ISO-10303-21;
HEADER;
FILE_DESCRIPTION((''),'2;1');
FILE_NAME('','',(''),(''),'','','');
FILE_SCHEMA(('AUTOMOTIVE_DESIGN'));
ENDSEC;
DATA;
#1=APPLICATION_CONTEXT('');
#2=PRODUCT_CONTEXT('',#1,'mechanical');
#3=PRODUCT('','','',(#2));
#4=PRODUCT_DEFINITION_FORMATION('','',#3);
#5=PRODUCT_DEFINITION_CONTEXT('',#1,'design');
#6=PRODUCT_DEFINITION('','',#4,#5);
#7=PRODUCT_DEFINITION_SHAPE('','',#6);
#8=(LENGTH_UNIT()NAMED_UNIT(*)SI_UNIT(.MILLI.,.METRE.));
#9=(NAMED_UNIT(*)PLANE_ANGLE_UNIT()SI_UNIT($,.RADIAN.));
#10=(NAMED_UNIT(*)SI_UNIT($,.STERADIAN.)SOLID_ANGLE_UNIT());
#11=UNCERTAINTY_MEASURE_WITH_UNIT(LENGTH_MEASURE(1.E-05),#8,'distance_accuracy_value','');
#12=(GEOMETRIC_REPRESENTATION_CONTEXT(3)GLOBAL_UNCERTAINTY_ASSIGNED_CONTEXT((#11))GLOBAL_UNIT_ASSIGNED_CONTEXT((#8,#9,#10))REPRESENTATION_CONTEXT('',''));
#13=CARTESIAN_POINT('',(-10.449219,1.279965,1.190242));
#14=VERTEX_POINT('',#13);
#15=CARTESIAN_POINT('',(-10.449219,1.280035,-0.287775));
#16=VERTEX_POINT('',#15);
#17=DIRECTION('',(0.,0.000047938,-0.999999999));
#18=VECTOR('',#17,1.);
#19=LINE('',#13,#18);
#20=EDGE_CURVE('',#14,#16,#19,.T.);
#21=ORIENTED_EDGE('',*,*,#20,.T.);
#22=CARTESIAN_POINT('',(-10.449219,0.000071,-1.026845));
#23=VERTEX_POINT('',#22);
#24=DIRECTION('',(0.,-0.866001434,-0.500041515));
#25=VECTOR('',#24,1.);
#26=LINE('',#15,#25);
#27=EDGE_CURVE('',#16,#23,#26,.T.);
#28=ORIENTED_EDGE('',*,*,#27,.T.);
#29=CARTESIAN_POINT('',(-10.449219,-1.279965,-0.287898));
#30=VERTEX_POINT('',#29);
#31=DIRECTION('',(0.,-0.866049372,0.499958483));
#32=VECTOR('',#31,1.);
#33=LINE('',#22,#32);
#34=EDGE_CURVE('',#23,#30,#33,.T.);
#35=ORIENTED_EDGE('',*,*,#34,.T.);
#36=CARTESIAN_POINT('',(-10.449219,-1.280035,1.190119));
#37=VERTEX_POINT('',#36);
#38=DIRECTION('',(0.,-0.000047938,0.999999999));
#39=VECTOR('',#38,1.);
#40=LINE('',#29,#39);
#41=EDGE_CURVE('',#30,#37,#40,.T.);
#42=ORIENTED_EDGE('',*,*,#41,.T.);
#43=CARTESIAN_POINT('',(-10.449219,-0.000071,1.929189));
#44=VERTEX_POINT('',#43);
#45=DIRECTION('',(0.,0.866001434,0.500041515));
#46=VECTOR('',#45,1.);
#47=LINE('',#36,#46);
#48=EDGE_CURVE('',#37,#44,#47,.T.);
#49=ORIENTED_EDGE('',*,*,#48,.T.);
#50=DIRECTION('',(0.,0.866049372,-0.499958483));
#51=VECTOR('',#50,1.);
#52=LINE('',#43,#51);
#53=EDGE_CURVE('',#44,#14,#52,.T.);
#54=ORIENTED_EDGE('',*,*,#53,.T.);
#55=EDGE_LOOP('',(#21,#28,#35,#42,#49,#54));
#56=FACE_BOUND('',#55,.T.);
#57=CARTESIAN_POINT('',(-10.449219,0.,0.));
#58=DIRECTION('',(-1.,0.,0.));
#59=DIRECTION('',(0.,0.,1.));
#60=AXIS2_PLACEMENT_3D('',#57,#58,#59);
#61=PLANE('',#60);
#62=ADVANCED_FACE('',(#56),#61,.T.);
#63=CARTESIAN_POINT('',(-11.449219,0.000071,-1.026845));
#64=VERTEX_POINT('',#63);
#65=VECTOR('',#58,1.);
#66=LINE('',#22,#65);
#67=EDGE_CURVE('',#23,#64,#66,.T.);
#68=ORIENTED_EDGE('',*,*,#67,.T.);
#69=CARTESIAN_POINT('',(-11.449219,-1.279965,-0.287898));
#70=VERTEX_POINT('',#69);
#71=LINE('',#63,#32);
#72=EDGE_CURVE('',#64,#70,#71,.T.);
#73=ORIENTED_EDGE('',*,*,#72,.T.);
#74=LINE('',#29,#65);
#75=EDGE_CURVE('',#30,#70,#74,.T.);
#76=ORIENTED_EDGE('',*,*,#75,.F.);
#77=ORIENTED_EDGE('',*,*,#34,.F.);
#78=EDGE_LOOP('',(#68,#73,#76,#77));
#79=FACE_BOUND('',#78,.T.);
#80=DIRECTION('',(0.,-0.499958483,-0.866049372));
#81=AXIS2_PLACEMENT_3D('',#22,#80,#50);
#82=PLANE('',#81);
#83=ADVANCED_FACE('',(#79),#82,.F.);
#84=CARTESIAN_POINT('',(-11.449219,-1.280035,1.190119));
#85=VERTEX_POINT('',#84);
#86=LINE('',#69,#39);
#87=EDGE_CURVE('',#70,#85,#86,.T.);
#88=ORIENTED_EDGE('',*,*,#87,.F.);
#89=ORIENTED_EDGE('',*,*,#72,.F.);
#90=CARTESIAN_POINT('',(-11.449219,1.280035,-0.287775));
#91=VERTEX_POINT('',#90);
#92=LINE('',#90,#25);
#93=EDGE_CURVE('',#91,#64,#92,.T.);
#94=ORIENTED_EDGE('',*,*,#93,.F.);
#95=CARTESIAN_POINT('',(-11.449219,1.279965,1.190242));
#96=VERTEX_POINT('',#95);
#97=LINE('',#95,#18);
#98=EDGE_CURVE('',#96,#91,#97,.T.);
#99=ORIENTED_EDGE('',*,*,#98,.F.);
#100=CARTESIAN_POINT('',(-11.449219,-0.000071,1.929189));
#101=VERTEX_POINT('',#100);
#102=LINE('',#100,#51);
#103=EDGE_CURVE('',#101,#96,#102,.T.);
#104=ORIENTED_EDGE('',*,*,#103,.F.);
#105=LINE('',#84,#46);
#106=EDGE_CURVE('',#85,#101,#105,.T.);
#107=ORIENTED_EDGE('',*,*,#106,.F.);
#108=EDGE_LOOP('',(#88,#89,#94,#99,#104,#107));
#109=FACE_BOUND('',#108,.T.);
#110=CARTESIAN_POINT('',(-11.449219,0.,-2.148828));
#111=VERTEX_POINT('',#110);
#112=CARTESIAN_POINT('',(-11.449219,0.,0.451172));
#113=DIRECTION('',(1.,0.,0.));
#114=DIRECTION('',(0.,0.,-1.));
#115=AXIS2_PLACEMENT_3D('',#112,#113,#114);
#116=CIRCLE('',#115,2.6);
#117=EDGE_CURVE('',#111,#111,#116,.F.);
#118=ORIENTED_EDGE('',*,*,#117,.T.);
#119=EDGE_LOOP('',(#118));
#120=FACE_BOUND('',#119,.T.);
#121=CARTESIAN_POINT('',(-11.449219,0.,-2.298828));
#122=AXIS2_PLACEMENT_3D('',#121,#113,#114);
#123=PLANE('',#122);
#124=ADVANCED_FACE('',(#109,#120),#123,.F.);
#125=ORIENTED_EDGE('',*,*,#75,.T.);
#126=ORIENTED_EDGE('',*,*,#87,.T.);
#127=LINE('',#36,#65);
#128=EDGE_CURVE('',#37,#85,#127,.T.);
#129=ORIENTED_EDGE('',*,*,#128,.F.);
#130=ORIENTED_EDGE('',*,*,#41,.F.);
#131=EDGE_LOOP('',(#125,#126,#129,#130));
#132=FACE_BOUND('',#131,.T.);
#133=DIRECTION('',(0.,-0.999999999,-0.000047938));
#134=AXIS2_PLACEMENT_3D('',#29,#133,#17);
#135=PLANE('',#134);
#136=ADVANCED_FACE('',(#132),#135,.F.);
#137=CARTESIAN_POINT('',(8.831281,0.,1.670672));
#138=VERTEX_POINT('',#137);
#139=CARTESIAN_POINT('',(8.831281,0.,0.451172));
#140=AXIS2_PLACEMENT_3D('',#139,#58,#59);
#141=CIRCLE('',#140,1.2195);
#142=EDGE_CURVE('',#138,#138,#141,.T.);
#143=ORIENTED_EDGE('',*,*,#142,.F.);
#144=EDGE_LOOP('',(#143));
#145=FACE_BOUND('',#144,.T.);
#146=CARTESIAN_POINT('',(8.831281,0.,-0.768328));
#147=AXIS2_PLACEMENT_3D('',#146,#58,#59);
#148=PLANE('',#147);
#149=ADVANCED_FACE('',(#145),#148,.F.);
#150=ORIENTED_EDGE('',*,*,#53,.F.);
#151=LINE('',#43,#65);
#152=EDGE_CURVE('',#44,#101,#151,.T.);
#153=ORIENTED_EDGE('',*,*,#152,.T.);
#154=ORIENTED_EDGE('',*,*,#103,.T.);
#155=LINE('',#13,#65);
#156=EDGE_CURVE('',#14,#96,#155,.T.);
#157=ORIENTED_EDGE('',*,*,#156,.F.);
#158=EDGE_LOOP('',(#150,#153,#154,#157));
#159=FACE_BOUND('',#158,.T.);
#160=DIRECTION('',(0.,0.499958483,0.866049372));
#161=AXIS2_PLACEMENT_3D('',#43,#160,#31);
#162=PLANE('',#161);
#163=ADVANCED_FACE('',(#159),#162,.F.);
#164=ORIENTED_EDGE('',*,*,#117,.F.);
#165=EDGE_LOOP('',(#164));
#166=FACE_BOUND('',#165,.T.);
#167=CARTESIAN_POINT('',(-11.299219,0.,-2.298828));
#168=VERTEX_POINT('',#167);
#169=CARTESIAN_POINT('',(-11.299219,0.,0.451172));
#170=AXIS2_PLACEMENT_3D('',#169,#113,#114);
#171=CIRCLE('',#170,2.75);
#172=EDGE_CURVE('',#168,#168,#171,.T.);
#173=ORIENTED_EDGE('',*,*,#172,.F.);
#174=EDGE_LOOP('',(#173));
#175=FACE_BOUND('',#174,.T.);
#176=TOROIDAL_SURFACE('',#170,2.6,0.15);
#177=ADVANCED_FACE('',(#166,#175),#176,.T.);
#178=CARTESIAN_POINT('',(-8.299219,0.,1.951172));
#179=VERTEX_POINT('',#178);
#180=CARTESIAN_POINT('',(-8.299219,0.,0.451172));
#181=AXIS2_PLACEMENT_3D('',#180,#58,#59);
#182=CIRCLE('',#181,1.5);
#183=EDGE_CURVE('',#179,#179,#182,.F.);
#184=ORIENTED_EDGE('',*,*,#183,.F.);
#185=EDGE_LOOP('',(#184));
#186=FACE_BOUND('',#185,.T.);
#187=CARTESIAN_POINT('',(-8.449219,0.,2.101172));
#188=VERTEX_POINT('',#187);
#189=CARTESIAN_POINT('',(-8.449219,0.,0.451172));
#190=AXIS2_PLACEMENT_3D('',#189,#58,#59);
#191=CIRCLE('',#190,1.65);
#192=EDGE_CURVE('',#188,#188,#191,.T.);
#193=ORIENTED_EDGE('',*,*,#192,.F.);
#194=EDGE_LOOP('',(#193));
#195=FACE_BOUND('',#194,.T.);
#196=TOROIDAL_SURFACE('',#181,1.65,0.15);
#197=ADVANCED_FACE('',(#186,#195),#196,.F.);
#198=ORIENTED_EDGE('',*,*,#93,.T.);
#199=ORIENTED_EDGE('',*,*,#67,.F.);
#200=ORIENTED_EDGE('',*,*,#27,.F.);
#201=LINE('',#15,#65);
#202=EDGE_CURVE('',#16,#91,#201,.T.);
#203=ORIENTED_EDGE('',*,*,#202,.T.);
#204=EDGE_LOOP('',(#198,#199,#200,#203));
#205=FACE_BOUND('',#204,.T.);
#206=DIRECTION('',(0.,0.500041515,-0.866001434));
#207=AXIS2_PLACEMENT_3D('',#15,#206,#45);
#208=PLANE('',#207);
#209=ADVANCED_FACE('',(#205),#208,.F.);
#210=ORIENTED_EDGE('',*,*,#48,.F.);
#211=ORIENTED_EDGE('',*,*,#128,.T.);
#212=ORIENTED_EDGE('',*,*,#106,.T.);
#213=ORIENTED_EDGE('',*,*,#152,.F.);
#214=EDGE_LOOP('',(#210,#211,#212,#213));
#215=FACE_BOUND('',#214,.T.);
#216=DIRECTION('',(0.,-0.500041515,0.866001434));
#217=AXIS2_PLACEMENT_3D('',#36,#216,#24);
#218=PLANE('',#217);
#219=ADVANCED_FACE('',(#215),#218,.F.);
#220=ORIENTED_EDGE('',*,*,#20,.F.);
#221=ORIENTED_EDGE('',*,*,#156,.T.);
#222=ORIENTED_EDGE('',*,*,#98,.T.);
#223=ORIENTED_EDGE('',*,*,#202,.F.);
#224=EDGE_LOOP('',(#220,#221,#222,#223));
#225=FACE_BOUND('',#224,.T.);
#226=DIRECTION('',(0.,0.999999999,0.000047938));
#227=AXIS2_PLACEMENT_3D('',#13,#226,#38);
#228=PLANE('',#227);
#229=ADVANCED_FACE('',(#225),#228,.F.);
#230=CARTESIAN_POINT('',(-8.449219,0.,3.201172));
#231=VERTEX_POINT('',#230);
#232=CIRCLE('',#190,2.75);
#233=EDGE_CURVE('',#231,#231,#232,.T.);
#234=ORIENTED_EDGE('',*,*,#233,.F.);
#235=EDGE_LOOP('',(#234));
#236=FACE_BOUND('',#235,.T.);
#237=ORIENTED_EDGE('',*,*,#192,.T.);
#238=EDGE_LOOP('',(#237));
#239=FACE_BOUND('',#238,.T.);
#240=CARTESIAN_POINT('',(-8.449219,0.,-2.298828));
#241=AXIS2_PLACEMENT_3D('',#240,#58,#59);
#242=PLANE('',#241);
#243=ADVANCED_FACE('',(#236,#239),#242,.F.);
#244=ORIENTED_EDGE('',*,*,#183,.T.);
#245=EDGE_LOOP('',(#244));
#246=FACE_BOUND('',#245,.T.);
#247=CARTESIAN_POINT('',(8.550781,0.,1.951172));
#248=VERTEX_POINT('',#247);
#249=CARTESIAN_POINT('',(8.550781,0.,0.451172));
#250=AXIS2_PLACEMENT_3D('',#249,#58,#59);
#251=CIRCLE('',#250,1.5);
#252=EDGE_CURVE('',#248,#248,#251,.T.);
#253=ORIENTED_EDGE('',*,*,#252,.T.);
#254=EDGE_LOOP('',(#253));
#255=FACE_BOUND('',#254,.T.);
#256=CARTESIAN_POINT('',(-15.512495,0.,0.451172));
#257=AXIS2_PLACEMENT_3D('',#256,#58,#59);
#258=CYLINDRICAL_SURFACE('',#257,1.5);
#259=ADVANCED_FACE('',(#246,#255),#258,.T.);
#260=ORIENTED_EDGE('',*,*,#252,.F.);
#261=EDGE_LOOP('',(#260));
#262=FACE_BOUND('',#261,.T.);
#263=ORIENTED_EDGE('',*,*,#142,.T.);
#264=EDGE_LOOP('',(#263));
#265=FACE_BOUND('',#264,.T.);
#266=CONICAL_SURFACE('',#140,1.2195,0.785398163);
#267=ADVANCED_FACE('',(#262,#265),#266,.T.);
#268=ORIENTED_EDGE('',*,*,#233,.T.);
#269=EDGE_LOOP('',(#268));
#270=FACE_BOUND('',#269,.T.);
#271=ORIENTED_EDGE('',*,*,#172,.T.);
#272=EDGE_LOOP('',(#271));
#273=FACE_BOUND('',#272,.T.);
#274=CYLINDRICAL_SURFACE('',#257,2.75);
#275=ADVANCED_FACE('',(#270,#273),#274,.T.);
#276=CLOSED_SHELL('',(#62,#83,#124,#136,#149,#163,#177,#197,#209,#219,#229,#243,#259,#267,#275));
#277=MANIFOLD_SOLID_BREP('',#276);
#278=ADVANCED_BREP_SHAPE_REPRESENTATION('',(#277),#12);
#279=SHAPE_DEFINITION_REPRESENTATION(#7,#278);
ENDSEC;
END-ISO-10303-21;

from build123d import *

# Parameters (mm, degrees)
FILLET2_R          = 0.15
CUT_EXTRUDE1_DEPTH = 1


with BuildPart() as part:
    # Sketch1 → Revolve2 (revolve)
    with BuildSketch(Plane(origin=(0, 0, 0), x_dir=(1, 0, 0), z_dir=(0, 1, 0))):
        Polygon((-11.44921875, 2.298828125), (-11.44921875, -0.451171875), (8.83128125, -0.451171875), (8.83128125, 0.768328125), (8.55078125, 1.048828125), (-8.44921875, 1.048828125), (-8.44921875, 2.298828125), align=None)
    revolve(axis=Axis((-15.512494932, 0, 0.451171875), (1, 0, 0)))

    # Fillet2
    fillet2_edges = [part.edges().sort_by_distance(p)[0] for p in [
        (-11.44921875, 0, 3.201171875),
        (-8.44921875, 0, 1.951171875),
    ]]
    fillet(fillet2_edges, radius=FILLET2_R)

    # Sketch3 → Cut-Extrude1 (cut)
    with BuildSketch(Plane.ZY.offset(11.44921875)):
        Polygon((1.190118859, -1.280035428), (1.929188565, -7.0854e-05), (1.190241581, 1.279964574), (-0.287775109, 1.280035428), (-1.026844815, 7.0854e-05), (-0.287897831, -1.279964574), align=None)
    extrude(amount=-CUT_EXTRUDE1_DEPTH, mode=Mode.SUBTRACT)


solid = part.part
